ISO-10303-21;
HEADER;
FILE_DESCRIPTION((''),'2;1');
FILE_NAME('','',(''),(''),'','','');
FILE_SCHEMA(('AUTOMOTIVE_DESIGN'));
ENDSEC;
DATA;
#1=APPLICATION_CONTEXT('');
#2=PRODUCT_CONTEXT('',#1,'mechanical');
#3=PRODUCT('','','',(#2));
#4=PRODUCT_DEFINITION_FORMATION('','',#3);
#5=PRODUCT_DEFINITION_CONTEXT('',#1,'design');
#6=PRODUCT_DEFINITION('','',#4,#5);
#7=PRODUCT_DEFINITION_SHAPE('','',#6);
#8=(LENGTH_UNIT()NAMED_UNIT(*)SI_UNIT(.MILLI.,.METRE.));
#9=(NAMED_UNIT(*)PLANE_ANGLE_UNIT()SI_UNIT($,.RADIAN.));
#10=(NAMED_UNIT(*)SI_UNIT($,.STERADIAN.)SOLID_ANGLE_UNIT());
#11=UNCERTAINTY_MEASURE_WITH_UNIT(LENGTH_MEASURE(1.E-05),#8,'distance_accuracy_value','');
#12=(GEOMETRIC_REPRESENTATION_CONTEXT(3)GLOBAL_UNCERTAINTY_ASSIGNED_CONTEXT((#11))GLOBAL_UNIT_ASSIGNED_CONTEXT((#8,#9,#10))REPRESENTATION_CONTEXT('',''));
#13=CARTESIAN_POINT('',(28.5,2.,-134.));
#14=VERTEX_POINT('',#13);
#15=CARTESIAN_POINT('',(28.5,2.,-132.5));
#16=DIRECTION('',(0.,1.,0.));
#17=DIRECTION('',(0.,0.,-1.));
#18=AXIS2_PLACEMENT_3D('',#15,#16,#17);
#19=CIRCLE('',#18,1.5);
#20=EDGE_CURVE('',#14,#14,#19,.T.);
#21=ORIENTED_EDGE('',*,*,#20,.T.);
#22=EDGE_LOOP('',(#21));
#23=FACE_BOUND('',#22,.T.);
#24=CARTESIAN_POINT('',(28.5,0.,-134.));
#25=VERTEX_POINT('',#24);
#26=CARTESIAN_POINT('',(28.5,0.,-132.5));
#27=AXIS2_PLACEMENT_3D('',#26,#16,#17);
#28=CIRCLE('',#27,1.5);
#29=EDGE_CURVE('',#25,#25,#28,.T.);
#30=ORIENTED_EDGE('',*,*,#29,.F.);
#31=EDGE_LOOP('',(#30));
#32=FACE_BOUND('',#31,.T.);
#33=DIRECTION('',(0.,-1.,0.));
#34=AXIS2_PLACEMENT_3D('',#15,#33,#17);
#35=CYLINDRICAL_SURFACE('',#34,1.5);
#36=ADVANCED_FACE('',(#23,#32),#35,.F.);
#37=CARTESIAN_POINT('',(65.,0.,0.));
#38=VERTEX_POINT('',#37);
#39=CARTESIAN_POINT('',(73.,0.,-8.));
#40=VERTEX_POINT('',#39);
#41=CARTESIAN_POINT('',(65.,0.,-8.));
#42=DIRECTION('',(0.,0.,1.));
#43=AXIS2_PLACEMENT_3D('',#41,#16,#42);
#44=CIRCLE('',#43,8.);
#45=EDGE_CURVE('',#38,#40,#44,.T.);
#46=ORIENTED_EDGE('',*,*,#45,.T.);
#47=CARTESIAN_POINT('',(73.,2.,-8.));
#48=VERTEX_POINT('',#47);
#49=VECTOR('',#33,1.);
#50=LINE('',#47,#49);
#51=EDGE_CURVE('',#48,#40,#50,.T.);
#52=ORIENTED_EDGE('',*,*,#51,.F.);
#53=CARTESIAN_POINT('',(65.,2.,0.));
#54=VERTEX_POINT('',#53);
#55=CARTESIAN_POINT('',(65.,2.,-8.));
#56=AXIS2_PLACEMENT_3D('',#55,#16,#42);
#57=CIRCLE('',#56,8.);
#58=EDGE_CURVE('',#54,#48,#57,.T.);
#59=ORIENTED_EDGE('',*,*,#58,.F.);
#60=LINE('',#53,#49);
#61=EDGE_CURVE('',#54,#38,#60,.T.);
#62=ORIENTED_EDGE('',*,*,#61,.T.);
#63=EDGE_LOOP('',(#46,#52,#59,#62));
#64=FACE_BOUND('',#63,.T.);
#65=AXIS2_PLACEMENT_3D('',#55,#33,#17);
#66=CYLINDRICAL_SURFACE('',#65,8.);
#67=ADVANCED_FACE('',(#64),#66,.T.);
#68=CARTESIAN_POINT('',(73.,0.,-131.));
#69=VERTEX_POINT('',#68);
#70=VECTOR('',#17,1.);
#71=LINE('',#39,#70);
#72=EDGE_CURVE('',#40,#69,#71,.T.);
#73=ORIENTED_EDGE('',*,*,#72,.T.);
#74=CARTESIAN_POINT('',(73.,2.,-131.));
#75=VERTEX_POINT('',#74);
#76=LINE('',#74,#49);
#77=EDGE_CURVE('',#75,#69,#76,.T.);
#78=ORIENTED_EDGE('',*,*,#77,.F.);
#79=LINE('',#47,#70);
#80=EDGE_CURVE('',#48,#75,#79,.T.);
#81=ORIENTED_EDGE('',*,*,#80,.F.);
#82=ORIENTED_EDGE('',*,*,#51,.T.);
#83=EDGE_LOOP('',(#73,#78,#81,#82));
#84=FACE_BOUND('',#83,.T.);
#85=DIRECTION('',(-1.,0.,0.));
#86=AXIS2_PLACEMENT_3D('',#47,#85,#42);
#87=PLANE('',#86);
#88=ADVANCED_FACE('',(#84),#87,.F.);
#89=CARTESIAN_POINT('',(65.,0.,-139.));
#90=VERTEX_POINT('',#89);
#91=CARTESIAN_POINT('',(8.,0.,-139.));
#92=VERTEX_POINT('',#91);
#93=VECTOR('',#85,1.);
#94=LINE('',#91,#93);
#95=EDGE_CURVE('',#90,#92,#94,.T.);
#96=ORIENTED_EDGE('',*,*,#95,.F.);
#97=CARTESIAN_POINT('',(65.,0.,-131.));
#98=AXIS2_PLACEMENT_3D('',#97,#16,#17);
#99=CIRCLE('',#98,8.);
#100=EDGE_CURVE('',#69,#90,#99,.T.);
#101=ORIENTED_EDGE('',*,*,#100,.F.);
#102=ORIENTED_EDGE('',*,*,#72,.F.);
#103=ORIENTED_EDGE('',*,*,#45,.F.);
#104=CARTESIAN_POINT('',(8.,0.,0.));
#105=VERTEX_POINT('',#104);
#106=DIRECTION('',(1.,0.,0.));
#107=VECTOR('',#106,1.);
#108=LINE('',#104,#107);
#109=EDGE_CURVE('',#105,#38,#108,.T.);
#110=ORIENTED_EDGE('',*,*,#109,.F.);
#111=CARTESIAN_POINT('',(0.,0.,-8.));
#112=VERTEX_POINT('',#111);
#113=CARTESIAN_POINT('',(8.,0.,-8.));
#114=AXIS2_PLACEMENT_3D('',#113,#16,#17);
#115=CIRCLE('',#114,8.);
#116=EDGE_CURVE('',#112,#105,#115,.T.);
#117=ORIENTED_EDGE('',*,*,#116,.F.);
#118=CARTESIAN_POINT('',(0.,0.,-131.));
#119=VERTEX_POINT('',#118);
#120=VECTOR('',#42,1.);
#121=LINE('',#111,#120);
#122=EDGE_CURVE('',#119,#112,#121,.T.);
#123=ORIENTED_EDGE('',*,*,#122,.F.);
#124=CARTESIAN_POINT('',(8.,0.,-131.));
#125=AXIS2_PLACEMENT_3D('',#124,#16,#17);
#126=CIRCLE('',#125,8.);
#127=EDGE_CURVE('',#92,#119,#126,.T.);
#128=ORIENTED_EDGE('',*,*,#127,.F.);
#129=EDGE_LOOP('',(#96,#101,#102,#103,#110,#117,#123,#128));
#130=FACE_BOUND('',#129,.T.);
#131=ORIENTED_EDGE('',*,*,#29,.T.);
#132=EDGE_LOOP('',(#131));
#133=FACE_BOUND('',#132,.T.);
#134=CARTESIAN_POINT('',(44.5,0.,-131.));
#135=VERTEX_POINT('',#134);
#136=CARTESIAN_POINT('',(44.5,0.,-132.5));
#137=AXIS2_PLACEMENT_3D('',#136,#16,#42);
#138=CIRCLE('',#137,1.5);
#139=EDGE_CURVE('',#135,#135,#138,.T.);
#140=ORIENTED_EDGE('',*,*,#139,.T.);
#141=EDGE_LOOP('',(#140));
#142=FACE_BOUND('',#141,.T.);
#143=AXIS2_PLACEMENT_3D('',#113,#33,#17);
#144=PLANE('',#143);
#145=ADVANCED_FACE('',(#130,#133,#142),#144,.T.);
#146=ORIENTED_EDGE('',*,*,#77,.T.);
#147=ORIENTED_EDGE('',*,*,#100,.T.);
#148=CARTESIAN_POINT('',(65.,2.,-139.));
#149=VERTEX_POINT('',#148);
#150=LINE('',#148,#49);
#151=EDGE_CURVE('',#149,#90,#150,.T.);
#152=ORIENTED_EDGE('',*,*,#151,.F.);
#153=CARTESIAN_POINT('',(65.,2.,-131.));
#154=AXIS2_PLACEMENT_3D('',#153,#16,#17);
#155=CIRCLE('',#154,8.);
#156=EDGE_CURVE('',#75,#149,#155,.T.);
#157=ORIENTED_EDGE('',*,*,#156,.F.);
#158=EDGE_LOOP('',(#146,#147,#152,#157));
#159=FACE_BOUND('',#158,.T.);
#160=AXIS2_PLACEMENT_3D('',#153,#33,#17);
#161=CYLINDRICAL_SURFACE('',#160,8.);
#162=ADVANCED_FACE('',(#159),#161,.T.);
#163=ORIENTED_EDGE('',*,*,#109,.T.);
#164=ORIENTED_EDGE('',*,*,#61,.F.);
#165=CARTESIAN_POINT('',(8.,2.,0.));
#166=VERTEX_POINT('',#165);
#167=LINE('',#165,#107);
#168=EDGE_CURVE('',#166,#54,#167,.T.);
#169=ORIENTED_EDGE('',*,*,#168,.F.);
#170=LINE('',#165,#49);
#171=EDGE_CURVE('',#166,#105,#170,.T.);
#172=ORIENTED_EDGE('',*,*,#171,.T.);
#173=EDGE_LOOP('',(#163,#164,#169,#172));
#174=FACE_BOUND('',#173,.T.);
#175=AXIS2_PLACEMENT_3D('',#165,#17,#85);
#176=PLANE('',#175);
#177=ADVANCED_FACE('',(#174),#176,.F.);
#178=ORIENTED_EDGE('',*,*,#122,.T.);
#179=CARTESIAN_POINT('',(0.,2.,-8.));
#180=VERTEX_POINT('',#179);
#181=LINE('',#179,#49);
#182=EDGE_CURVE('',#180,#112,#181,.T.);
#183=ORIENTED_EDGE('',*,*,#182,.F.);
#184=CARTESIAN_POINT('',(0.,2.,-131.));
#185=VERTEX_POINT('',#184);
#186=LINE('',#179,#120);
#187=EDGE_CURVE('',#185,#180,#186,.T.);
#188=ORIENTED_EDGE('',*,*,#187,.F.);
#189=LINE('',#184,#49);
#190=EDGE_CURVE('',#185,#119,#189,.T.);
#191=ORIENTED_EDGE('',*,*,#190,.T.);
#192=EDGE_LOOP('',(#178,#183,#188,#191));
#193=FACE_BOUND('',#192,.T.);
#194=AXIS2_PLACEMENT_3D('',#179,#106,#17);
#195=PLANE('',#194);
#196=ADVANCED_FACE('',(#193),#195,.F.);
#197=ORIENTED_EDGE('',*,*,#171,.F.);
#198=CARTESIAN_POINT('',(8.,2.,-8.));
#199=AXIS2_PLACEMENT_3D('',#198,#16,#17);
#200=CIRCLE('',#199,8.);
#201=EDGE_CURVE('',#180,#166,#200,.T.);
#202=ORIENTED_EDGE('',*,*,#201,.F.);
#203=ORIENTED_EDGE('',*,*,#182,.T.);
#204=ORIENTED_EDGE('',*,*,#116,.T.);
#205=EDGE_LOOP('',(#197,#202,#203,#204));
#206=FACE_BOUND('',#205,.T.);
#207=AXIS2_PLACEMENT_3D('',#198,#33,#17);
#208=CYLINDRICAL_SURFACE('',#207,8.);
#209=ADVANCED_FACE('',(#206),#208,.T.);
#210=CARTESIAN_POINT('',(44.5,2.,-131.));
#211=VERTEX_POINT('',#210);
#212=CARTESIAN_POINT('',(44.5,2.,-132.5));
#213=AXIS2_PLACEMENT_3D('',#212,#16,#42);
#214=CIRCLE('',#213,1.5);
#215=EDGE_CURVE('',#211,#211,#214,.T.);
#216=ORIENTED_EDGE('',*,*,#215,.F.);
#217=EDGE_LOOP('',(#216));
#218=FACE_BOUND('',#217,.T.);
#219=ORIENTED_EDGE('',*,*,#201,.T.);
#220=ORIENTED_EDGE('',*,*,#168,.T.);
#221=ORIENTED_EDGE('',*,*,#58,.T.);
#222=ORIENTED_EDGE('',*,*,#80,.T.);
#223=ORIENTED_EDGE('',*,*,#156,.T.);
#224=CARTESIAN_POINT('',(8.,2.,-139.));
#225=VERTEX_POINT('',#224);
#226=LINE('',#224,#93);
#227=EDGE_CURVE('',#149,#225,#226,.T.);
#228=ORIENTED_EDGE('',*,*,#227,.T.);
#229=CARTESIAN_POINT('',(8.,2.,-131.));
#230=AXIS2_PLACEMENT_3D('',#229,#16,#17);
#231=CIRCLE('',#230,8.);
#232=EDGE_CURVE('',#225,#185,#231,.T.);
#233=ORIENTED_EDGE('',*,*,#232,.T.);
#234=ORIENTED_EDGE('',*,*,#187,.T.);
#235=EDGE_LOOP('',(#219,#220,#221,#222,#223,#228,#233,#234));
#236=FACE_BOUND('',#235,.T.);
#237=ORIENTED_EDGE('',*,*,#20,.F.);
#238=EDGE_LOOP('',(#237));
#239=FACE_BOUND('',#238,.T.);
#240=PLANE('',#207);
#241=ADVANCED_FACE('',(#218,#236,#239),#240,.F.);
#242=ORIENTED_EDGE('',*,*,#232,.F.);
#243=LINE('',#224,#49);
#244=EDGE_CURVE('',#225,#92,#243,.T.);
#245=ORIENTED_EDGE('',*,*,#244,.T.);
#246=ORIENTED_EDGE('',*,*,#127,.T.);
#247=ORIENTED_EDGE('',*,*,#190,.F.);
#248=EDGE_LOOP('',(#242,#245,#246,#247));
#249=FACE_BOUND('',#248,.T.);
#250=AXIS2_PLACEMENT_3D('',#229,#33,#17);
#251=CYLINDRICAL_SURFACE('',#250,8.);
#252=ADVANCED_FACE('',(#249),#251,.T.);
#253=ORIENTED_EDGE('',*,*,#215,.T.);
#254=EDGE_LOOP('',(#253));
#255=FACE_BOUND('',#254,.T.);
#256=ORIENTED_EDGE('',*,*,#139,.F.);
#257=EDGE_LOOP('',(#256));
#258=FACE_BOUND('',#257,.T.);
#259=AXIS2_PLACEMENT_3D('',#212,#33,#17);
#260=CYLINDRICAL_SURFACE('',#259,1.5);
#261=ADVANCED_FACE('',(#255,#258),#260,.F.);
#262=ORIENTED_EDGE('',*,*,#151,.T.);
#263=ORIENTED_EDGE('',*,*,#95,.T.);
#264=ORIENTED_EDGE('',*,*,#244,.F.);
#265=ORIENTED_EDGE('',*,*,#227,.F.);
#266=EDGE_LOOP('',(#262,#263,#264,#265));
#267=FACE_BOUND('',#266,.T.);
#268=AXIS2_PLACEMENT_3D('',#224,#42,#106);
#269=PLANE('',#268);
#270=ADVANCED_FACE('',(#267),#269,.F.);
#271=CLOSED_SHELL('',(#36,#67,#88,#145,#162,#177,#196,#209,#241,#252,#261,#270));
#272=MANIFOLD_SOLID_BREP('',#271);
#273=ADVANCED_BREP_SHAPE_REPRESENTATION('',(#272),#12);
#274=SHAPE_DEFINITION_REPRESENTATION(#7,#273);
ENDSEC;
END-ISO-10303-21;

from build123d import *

# Parameters (mm, degrees)
SKETCH1_R           = 1.5
BOSS_EXTRUDE1_DEPTH = 2


with BuildPart() as part:
    # Sketch1 → Boss-Extrude1 (new body)
    with BuildSketch(Plane(origin=(0, 0, 0), x_dir=(1, 0, 0), z_dir=(0, 1, 0))):
        with BuildLine():
            Line((8, 0), (65, 0))
            ThreePointArc((65, 0), (70.656854249, 2.343145751), (73, 8))
            Line((73, 8), (73, 131))
            ThreePointArc((73, 131), (70.656854249, 136.656854249), (65, 139))
            Line((65, 139), (8, 139))
            ThreePointArc((8, 139), (2.343145751, 136.656854249), (0, 131))
            Line((0, 131), (0, 8))
            ThreePointArc((0, 8), (2.343145751, 2.343145751), (8, 0))
        make_face()
        with Locations(Location((44.5, 132.5, 0), (0, 0, 270))):
            Circle(SKETCH1_R, mode=Mode.SUBTRACT)
        with Locations(Location((28.5, 132.5, 0), (0, 0, 90))):
            Circle(SKETCH1_R, mode=Mode.SUBTRACT)
    extrude(amount=BOSS_EXTRUDE1_DEPTH)


solid = part.part
